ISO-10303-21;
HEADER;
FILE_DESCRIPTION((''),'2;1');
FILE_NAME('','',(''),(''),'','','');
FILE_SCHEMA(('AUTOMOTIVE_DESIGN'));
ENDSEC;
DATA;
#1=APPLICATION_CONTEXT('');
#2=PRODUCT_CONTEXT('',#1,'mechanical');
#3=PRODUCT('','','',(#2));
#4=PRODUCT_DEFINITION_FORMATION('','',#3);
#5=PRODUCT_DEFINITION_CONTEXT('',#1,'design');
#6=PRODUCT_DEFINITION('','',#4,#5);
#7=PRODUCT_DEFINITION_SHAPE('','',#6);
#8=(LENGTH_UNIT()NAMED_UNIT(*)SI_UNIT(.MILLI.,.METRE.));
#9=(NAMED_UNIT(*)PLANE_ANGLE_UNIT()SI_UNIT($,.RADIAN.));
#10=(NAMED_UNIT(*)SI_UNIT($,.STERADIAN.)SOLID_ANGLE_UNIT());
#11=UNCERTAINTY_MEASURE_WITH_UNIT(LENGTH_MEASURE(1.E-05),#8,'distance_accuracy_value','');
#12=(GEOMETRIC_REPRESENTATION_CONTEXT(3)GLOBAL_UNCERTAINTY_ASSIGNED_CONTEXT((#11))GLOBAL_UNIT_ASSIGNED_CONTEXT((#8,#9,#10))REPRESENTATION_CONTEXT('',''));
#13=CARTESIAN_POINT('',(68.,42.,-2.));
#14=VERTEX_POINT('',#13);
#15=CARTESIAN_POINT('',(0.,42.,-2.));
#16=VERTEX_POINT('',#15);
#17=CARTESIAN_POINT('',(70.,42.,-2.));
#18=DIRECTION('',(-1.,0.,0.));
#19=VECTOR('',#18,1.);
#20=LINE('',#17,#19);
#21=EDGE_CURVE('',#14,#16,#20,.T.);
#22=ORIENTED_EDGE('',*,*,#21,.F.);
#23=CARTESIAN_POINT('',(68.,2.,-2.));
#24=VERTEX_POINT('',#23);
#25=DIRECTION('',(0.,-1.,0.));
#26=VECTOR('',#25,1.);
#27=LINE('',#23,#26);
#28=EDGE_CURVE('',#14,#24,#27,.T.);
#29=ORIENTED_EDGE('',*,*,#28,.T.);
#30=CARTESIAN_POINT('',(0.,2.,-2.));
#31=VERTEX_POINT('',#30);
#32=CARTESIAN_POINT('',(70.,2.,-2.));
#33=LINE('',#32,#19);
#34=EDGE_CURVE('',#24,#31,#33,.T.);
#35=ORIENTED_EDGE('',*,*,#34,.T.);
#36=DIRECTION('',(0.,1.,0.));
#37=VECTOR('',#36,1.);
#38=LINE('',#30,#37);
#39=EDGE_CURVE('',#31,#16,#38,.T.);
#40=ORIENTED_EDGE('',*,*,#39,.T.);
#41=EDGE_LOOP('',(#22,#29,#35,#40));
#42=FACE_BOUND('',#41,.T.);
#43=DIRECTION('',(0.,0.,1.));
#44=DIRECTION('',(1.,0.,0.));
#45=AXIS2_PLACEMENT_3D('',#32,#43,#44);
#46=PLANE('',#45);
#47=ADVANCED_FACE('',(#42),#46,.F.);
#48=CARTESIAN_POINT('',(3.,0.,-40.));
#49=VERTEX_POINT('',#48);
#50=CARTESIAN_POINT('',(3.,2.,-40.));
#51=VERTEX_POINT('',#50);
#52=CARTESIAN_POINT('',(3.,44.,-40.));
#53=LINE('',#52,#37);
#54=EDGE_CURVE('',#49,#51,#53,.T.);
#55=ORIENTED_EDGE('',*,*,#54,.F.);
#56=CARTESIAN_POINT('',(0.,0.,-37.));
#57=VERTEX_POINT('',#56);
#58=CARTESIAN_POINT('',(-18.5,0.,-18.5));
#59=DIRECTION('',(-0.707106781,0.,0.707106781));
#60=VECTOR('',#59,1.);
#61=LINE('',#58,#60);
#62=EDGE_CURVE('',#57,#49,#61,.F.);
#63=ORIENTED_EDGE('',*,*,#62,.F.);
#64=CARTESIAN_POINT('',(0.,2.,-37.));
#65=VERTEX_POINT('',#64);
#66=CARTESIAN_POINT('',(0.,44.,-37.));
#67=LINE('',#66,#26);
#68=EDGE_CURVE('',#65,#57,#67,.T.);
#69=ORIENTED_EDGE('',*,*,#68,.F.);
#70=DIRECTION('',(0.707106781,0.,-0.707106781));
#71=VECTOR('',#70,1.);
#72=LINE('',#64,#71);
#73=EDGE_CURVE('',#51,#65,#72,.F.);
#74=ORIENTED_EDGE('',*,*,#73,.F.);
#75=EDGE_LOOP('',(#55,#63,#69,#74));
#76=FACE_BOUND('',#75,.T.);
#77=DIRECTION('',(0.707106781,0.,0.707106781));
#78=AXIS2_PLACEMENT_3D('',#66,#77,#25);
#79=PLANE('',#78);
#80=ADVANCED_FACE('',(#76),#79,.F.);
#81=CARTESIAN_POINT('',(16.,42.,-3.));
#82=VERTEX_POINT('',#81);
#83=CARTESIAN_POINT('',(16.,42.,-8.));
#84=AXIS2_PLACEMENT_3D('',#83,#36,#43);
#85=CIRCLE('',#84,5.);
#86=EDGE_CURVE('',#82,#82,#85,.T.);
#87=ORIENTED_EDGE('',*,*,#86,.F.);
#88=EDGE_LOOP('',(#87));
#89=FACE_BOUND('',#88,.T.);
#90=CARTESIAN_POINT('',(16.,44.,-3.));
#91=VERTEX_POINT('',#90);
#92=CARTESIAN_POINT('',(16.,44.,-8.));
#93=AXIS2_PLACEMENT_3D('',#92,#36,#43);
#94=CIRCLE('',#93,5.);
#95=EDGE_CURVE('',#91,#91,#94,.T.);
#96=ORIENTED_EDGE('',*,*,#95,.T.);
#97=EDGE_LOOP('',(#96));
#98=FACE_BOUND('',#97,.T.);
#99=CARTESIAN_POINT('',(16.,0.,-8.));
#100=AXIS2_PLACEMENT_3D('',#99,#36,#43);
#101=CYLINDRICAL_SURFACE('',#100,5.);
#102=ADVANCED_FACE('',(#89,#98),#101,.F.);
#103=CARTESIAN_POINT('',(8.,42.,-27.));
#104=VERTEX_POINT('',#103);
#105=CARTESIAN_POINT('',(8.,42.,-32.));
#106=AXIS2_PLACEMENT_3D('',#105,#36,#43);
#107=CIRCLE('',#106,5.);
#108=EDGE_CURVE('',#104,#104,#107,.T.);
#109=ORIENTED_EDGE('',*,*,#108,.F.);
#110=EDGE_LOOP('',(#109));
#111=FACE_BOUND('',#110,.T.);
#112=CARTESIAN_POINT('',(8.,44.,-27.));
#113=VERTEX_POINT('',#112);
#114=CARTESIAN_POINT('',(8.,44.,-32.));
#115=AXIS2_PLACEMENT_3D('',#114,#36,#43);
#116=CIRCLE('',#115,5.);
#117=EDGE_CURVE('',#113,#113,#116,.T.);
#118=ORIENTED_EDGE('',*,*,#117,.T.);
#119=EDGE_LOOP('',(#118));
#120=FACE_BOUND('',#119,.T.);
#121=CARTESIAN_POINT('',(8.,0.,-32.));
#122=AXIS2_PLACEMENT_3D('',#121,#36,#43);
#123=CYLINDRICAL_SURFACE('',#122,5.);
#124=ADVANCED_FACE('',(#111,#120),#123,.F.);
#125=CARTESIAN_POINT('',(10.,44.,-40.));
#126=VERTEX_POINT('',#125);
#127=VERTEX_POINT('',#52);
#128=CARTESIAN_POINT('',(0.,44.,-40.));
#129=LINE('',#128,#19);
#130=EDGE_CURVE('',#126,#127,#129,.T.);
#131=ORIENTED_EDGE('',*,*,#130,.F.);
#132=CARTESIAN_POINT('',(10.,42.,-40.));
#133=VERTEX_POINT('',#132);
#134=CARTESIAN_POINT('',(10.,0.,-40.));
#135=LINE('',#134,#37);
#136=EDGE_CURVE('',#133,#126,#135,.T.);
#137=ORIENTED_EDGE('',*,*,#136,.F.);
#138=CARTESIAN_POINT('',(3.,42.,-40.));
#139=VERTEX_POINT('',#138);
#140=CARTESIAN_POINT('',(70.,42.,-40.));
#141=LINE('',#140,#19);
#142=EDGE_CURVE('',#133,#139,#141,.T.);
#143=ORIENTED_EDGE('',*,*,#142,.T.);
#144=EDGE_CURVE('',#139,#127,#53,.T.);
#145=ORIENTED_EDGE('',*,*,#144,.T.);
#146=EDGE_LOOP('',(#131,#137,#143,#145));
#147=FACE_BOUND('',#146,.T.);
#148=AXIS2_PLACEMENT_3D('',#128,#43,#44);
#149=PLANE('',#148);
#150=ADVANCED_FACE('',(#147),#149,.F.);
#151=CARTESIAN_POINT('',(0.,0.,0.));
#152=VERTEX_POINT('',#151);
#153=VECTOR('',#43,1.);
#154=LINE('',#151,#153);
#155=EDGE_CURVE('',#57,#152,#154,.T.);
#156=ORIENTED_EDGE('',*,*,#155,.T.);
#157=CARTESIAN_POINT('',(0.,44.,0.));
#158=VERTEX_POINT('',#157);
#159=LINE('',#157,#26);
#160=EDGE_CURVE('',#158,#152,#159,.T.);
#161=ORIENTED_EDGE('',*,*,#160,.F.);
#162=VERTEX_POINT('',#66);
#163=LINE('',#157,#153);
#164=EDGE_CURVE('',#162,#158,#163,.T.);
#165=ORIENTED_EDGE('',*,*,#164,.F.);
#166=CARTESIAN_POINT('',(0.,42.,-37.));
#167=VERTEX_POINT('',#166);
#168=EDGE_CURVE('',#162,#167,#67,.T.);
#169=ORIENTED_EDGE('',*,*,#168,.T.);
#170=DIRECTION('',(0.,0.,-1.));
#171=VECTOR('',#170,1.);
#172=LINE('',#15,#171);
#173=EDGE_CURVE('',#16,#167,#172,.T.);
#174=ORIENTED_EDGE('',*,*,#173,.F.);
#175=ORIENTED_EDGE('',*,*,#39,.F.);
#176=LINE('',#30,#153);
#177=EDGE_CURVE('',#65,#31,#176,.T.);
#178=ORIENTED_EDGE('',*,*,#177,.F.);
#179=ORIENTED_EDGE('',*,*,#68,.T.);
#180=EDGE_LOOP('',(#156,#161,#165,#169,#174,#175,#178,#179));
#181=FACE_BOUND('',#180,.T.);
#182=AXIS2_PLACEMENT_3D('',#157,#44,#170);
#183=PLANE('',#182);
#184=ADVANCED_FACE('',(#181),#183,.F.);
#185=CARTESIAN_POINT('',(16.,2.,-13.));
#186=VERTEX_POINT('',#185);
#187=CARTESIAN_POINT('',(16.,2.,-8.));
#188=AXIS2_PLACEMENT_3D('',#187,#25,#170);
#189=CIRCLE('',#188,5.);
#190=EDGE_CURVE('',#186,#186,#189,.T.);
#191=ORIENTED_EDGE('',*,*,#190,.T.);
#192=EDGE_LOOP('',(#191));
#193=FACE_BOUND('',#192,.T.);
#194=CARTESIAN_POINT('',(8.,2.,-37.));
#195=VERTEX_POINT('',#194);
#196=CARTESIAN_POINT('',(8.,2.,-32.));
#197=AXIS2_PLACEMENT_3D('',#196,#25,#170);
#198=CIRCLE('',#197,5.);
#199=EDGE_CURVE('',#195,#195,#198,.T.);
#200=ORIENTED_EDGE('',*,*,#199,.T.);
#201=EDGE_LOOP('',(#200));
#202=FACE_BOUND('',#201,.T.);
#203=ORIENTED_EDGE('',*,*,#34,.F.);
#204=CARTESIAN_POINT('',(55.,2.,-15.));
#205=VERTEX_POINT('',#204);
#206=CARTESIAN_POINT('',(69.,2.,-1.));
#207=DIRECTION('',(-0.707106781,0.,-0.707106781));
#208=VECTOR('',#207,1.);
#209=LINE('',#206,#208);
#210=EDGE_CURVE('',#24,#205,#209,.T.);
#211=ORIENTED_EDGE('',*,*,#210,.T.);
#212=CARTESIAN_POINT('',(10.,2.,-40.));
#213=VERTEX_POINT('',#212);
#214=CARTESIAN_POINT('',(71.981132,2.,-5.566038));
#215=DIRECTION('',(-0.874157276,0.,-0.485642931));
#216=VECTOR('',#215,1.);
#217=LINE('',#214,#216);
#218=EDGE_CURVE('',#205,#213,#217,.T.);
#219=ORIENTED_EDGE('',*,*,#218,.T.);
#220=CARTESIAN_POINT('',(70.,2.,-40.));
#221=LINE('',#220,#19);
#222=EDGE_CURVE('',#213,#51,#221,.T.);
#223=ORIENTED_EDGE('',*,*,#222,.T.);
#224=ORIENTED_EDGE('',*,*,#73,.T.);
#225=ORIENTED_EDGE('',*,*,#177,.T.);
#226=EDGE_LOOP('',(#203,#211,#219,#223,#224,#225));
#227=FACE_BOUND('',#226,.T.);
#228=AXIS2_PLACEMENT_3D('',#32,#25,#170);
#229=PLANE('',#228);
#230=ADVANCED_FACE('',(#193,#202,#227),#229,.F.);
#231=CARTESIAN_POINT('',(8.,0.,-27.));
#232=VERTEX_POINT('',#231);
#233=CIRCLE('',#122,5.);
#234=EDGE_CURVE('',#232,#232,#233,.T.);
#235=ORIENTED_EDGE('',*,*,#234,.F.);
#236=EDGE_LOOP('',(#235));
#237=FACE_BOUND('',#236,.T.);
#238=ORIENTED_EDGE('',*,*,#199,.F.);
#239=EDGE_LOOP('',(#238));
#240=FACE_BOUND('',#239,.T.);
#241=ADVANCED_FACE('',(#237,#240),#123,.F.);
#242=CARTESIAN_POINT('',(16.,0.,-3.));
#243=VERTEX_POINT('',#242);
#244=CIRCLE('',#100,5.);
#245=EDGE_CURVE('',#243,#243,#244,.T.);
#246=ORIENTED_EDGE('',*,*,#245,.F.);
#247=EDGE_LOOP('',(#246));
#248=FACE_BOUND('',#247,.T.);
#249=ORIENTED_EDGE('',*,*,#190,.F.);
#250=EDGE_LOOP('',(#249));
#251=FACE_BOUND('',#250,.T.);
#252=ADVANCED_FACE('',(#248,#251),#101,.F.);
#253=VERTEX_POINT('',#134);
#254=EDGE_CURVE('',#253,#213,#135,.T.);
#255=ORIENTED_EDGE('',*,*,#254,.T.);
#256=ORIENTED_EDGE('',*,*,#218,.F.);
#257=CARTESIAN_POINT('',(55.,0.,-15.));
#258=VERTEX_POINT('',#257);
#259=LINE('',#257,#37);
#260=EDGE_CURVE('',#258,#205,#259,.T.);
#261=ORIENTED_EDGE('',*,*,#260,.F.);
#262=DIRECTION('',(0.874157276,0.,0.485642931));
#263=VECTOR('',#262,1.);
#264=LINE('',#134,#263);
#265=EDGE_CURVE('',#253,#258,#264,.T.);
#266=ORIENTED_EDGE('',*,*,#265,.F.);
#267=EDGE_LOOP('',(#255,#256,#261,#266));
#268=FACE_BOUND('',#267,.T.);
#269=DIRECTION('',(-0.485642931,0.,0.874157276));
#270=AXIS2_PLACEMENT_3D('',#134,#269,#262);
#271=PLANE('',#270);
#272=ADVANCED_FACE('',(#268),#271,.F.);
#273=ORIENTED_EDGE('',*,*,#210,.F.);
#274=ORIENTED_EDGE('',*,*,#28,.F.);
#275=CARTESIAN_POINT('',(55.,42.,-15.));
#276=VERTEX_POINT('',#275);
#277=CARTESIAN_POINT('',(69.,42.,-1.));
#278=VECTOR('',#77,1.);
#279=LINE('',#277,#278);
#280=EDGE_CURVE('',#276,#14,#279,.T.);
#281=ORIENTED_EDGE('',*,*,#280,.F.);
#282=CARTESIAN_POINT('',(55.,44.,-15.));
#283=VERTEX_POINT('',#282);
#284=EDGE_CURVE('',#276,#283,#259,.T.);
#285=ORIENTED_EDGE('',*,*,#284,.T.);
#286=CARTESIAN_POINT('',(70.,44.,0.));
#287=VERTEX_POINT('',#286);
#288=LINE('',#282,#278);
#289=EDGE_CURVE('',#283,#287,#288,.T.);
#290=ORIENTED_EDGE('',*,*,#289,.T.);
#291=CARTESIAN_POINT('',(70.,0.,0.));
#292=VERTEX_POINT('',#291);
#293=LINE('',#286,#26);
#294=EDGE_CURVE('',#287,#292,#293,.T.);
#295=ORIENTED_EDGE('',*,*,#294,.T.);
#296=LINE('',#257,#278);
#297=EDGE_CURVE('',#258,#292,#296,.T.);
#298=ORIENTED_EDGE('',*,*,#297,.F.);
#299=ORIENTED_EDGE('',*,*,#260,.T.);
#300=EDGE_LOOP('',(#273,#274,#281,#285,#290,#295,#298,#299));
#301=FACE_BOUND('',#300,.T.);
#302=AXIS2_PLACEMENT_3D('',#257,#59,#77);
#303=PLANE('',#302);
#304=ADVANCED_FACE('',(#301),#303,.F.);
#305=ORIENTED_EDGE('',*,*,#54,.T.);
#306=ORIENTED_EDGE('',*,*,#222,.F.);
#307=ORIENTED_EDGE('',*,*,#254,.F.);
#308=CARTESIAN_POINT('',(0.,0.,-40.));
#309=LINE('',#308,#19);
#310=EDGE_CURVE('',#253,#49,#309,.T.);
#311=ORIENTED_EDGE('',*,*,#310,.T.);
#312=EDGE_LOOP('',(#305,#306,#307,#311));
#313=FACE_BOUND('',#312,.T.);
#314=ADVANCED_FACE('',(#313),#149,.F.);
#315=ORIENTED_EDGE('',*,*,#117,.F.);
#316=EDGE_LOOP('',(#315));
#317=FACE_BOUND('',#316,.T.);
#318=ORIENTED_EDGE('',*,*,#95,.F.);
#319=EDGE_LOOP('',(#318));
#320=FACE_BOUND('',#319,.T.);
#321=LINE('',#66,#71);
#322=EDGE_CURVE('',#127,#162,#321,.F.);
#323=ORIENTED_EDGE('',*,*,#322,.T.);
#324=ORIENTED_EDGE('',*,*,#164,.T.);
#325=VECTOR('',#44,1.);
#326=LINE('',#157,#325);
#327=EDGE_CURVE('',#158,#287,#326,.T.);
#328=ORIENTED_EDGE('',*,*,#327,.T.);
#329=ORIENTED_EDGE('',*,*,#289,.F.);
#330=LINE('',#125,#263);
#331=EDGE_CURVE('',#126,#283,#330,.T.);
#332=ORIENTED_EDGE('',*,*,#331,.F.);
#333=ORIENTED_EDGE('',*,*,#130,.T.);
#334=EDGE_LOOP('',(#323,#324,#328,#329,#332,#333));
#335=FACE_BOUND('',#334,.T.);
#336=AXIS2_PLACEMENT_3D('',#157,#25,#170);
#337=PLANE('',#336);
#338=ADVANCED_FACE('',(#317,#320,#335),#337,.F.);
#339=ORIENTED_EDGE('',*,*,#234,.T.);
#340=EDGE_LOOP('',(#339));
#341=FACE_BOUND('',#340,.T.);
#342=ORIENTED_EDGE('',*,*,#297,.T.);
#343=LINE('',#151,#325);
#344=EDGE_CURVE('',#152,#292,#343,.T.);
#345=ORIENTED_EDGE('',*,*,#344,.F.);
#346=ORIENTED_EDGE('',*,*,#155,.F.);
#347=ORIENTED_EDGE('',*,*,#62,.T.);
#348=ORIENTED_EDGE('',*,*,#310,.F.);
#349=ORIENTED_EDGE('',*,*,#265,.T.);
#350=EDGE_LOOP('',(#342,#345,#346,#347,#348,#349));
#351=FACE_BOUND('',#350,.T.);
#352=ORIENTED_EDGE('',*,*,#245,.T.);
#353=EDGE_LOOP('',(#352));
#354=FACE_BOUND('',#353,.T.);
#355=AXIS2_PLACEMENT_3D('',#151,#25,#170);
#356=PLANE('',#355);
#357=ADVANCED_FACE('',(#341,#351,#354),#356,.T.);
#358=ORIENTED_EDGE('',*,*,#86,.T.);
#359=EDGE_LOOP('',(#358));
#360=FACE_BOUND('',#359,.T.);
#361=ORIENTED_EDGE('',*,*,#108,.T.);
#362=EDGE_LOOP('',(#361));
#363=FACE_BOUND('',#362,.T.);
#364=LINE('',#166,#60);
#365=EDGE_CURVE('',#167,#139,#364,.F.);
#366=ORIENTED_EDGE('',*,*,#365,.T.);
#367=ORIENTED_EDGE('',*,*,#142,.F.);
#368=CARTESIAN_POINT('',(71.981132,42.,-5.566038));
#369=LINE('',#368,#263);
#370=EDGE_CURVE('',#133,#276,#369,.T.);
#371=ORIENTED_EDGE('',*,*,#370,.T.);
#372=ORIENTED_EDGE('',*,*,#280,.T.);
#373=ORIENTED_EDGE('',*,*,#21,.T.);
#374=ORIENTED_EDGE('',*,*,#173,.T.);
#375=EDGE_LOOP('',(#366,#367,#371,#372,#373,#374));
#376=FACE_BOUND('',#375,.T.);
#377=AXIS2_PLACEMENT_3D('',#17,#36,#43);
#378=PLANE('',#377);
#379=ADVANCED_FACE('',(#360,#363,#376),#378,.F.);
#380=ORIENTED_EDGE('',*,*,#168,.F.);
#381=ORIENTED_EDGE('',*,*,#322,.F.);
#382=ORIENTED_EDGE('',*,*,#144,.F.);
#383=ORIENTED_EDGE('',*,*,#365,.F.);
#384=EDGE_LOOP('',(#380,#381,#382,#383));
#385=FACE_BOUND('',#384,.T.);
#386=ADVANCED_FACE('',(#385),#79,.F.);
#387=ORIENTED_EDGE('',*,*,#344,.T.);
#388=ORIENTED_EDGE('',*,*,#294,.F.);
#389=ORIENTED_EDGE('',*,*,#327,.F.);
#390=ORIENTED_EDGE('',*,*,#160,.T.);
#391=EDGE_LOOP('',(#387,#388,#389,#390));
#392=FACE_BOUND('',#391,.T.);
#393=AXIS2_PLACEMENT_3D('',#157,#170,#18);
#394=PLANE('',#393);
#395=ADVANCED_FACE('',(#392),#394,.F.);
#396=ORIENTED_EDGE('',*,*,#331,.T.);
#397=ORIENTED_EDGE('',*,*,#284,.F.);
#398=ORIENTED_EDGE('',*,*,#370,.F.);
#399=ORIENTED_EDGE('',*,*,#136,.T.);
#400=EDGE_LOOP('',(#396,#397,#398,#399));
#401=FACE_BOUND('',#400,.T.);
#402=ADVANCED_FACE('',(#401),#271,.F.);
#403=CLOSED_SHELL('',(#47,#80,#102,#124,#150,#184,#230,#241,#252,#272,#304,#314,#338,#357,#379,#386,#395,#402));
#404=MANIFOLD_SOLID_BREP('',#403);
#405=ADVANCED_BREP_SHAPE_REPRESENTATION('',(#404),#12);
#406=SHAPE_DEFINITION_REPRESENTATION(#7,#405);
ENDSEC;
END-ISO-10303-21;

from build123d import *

# Parameters (mm, degrees)
SKETCH4_W           = 70
SKETCH4_H           = 40
BOSS_EXTRUDE3_DEPTH = 44
SKETCH5_W           = 38
SKETCH5_H           = 40
CUT_EXTRUDE5_DEPTH  = 92.847700026
CUT_EXTRUDE8_DEPTH  = 92.847700026
CHAMFER2_SIZE       = 3
SKETCH9_R           = 5
CUT_EXTRUDE9_DEPTH  = 92.847700026


with BuildPart() as part:
    # Sketch4 → Boss-Extrude3 (new body)
    with BuildSketch(Plane(origin=(0, 0, 0), x_dir=(1, 0, 0), z_dir=(0, 1, 0))):
        with Locations((35, 20)):
            Rectangle(SKETCH4_W, SKETCH4_H)
    extrude(amount=BOSS_EXTRUDE3_DEPTH)

    # Sketch5 → Cut-Extrude5 (cut, through all)
    with BuildSketch(Plane.ZY):
        with Locations((-21, 22)):
            Rectangle(SKETCH5_W, SKETCH5_H)
    extrude(amount=-CUT_EXTRUDE5_DEPTH, mode=Mode.SUBTRACT)

    # Sketch8 → Cut-Extrude8 (cut, through all)
    with BuildSketch(Plane(origin=(0, 44, 0), x_dir=(1, 0, 0), z_dir=(0, 1, 0))):
        Polygon((10, 40), (55, 15), (70, 0), (70, 40), align=None)
    extrude(amount=-CUT_EXTRUDE8_DEPTH, mode=Mode.SUBTRACT)

    # Chamfer2
    chamfer2_edges = [part.edges().sort_by_distance(p)[0] for p in [
        (0, 1, -40),
        (0, 43, -40),
    ]]
    chamfer(chamfer2_edges, length=CHAMFER2_SIZE)

    # Sketch9 → Cut-Extrude9 (cut, through all)
    with BuildSketch(Plane(origin=(0, 44, 0), x_dir=(1, 0, 0), z_dir=(0, 1, 0))):
        with Locations(Location((8, 32, 0), (0, 0, 270))):
            Circle(SKETCH9_R)
        with Locations(Location((16, 8, 0), (0, 0, 270))):
            Circle(SKETCH9_R)
    extrude(amount=-CUT_EXTRUDE9_DEPTH, mode=Mode.SUBTRACT)


solid = part.part
